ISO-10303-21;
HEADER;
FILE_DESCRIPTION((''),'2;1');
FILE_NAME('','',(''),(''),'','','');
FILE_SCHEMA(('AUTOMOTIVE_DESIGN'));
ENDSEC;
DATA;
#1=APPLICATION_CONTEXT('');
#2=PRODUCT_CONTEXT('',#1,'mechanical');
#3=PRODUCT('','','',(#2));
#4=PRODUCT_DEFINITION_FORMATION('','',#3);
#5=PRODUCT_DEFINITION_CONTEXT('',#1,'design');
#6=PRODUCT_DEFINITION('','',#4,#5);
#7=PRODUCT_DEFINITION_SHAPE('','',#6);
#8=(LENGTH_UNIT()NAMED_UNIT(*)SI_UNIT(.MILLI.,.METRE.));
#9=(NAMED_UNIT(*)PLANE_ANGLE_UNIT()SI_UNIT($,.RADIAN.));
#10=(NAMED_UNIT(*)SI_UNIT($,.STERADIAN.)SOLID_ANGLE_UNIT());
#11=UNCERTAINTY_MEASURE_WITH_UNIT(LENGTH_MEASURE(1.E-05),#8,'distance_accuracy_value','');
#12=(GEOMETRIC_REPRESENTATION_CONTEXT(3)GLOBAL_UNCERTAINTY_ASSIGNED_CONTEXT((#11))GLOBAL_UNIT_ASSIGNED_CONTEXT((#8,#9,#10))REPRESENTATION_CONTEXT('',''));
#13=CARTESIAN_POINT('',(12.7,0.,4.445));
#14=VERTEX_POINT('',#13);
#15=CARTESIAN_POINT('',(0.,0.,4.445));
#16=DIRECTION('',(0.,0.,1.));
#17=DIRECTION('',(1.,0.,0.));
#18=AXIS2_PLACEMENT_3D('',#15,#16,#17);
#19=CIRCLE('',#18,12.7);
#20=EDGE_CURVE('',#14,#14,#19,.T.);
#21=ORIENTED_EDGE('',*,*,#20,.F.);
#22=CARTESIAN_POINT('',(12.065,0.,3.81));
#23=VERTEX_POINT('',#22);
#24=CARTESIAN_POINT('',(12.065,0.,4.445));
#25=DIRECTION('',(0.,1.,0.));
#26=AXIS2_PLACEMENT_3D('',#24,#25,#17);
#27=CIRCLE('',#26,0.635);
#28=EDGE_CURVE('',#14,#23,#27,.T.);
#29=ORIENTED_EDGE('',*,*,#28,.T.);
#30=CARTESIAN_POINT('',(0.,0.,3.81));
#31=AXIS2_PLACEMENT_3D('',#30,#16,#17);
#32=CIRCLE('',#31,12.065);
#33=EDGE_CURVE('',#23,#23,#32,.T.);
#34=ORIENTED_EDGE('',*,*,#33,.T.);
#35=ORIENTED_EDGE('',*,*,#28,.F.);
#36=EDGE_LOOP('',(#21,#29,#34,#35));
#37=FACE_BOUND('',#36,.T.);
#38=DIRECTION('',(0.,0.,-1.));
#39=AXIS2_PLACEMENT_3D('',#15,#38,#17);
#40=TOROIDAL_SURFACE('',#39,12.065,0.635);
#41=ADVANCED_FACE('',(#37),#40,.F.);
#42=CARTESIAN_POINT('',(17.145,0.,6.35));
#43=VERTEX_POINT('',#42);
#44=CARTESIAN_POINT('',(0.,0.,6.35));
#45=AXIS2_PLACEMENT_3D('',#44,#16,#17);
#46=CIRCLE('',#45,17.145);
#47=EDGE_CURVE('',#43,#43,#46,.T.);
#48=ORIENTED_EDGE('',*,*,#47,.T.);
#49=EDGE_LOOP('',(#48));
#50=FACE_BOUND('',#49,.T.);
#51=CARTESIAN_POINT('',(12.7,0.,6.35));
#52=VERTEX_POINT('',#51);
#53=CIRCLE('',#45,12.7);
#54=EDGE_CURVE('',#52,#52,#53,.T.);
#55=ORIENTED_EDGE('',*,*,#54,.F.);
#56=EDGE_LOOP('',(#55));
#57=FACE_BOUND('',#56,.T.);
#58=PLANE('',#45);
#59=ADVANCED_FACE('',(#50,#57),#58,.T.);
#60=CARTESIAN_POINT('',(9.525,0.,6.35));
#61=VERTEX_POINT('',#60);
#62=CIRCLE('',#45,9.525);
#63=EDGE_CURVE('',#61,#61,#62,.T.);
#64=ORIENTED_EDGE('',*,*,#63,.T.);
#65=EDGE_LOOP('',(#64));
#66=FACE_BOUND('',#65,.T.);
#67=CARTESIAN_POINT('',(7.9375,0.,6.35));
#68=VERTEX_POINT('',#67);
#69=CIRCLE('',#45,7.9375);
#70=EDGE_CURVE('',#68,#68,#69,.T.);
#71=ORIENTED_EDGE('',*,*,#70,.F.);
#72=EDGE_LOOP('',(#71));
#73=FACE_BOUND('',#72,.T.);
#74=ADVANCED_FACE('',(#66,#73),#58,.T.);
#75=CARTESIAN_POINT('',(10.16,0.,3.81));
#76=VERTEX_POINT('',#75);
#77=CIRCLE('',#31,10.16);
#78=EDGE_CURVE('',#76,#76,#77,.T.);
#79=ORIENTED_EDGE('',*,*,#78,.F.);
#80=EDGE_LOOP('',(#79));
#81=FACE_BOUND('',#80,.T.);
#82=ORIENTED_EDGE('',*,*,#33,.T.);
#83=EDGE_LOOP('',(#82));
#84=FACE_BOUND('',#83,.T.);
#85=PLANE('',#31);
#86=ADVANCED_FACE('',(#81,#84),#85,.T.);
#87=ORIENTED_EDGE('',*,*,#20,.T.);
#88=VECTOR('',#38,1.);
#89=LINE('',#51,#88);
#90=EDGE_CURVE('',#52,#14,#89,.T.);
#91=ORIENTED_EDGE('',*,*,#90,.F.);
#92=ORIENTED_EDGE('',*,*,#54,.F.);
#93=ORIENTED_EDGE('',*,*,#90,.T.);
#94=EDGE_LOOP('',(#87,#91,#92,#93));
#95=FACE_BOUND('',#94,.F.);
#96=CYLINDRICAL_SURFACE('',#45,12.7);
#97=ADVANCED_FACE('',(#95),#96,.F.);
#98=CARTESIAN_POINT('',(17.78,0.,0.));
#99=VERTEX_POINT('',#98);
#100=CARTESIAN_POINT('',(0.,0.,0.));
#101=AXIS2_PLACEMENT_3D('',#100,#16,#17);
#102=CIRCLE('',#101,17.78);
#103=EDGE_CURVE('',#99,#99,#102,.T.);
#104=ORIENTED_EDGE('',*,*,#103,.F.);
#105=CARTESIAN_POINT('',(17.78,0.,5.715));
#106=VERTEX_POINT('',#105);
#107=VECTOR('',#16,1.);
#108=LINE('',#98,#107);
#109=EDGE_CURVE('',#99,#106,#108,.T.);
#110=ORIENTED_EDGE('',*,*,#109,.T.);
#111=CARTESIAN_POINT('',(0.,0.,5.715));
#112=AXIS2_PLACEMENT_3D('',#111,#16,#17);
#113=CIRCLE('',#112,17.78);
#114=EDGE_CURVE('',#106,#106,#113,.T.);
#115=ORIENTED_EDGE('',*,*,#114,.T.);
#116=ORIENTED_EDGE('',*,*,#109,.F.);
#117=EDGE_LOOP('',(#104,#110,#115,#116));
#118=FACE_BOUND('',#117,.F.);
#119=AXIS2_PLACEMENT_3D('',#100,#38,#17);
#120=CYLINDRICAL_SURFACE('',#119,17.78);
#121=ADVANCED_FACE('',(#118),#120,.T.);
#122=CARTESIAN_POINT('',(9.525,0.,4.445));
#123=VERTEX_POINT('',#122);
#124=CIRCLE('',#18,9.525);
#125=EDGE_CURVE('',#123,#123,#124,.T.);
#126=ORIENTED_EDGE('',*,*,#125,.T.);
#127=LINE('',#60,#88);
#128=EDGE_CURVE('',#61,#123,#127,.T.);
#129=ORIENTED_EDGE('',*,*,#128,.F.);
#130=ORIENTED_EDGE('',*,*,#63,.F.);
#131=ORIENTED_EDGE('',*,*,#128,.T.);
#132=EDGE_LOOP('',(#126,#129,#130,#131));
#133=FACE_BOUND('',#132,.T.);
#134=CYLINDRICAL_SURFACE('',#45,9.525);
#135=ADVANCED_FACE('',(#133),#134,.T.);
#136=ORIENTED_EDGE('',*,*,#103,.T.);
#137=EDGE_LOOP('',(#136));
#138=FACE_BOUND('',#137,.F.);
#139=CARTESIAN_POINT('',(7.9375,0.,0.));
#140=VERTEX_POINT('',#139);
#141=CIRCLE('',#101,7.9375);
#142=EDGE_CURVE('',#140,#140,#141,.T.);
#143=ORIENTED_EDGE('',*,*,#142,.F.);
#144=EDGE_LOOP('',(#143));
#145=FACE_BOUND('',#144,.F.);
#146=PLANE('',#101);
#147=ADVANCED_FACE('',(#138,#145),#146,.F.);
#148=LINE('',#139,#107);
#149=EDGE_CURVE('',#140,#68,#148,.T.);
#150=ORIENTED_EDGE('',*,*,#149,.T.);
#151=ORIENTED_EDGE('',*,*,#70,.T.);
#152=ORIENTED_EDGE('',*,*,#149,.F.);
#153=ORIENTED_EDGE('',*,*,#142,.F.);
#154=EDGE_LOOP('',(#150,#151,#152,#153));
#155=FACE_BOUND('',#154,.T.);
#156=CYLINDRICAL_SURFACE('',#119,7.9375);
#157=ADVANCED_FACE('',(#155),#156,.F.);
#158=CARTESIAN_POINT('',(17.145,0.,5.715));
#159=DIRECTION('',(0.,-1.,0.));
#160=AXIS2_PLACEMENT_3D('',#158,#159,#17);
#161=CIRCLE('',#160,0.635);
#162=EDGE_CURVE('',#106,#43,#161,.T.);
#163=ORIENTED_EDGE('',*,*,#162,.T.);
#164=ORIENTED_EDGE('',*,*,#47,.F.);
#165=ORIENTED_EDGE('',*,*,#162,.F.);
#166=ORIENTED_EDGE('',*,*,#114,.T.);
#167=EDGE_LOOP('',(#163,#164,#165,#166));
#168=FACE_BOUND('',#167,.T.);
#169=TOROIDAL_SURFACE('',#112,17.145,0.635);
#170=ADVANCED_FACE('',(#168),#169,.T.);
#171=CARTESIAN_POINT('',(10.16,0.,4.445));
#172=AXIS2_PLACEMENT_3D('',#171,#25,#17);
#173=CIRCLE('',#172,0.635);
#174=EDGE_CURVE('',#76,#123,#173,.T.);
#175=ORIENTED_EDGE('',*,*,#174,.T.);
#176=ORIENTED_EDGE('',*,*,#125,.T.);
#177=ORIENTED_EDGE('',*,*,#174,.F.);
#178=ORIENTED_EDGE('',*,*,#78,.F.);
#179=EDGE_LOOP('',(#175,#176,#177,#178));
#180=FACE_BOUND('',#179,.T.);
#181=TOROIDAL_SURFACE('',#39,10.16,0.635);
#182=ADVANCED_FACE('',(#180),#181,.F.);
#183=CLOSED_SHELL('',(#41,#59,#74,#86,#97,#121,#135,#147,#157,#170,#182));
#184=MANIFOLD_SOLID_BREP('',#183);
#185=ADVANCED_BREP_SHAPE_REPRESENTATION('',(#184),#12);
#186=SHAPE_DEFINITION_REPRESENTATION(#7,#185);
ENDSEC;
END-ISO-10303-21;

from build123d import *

# Parameters (mm, degrees)
F0_R     = 17.78
F0_R_2   = 7.9375
F1_DEPTH = 6.35
F2_R     = 12.7
F2_R_2   = 9.525
F3_DEPTH = 2.54
F4_R     = 0.635


with BuildPart() as f1:
    # F0 (on Top) → F1 (new body)
    with BuildSketch(Plane.XY):
        Circle(F0_R)
        Circle(F0_R_2, mode=Mode.SUBTRACT)
    extrude(amount=F1_DEPTH)

    # F2 (on face) → F3 (cut)
    with BuildSketch(Plane.XY.offset(6.35)):
        Circle(F2_R)
        Circle(F2_R_2, mode=Mode.SUBTRACT)
    extrude(amount=-F3_DEPTH, mode=Mode.SUBTRACT)

    # F4
    f4_edges = [f1.edges().sort_by_distance(p)[0] for p in [
        (-17.78, 0, 6.35),
        (-12.7, 0, 3.81),
        (-9.525, 0, 3.81),
    ]]
    fillet(f4_edges, radius=F4_R)


solid = f1.part
